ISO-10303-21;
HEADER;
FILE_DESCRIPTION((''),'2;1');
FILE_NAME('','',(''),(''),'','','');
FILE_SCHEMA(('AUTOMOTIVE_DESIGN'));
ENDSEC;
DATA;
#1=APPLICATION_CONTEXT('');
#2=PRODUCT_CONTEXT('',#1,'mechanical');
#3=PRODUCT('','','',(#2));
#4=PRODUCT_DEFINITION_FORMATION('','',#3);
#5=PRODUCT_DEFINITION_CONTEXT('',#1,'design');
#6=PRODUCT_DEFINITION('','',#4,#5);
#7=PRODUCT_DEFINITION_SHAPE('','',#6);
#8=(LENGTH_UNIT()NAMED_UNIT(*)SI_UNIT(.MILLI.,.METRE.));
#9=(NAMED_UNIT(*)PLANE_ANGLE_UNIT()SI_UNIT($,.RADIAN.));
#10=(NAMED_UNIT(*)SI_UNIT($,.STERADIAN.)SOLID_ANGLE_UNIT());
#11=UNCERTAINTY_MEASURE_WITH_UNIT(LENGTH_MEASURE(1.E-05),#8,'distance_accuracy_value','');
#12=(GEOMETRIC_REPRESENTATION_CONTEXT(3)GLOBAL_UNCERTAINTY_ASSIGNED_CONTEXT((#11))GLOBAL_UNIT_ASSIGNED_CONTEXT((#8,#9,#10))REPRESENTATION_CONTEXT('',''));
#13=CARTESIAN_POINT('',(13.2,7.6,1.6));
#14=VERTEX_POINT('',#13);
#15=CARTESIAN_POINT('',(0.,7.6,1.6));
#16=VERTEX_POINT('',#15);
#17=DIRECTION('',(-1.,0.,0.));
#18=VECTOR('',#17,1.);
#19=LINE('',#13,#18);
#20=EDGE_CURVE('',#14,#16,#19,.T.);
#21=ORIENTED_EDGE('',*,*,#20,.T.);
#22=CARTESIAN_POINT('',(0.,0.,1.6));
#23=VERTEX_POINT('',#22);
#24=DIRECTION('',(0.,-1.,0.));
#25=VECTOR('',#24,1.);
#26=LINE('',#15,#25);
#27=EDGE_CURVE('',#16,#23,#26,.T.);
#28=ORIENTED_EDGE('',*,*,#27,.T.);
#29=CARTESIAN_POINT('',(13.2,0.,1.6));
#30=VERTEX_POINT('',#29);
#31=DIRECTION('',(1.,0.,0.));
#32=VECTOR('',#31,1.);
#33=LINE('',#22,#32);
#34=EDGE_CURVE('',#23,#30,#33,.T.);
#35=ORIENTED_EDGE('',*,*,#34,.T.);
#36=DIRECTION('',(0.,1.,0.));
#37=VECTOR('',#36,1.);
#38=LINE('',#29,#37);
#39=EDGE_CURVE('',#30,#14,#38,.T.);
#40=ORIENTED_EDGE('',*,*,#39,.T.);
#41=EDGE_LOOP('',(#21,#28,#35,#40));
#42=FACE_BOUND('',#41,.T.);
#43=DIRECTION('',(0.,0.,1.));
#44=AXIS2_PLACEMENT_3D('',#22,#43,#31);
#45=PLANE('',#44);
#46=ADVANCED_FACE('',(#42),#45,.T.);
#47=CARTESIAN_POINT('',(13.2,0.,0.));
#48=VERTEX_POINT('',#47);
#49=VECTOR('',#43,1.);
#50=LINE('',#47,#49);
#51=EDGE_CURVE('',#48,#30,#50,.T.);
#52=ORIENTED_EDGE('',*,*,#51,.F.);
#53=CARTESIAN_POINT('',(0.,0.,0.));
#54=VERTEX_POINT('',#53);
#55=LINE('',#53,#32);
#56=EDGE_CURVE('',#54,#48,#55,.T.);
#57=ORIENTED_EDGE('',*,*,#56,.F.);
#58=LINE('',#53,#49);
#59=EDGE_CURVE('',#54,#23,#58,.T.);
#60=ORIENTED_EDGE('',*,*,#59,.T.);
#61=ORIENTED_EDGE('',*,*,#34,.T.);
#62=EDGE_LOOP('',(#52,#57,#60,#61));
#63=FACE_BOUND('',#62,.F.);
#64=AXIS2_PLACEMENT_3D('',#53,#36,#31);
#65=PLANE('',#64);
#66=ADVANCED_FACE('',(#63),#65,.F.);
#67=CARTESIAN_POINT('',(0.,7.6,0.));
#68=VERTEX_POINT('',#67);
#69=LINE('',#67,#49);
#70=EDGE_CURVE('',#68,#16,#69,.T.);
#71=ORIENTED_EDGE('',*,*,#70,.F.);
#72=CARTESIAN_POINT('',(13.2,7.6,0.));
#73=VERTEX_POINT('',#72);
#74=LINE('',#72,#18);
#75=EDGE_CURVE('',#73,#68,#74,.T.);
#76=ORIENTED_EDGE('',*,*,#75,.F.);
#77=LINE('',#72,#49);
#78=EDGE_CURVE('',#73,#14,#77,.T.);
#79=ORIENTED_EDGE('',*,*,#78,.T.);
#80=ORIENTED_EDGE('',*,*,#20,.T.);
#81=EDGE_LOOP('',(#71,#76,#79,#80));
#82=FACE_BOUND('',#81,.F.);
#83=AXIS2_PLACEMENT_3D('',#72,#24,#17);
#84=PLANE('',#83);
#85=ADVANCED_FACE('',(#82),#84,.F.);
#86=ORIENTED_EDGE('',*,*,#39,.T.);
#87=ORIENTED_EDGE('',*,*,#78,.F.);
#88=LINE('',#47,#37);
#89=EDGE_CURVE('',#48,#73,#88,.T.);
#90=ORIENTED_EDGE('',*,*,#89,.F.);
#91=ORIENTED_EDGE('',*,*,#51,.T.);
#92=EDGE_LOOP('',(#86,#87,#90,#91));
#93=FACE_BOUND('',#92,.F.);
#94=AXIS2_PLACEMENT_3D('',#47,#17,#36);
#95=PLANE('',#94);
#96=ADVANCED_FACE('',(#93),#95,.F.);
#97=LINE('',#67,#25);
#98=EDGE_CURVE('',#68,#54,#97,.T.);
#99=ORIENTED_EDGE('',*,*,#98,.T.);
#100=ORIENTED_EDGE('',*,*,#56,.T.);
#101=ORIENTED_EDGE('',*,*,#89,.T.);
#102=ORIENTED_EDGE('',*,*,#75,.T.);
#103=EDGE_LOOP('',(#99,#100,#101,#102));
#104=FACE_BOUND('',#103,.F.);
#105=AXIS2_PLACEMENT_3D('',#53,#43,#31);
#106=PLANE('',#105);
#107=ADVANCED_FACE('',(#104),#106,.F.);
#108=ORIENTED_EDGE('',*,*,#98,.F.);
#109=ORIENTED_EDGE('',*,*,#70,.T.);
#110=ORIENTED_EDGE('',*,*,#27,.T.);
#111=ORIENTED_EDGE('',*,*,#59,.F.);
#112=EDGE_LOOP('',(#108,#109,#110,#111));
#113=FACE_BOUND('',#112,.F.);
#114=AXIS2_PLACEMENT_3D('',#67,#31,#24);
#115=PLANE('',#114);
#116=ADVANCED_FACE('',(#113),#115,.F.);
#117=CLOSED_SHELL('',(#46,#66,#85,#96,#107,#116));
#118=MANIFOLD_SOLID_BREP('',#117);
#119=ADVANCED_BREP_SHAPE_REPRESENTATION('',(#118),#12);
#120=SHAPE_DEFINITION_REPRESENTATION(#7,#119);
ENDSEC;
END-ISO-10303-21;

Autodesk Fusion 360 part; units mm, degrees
sketch "Sketch1" plane through (0, 0, 0) normal (0, 0, 1) x (1, 0, 0)
  line L0 (0, 0) -> (13.2, 0)
  line L1 (13.2, 0) -> (13.2, 7.6)
  line L2 (13.2, 7.6) -> (0, 7.6)
  line L3 (0, 7.6) -> (0, 0)
  dimension "d1" = 13.2
  dimension "d2" = 7.6
extrude "Extrude1" add sketch "Sketch1" along normal blind 1.6
